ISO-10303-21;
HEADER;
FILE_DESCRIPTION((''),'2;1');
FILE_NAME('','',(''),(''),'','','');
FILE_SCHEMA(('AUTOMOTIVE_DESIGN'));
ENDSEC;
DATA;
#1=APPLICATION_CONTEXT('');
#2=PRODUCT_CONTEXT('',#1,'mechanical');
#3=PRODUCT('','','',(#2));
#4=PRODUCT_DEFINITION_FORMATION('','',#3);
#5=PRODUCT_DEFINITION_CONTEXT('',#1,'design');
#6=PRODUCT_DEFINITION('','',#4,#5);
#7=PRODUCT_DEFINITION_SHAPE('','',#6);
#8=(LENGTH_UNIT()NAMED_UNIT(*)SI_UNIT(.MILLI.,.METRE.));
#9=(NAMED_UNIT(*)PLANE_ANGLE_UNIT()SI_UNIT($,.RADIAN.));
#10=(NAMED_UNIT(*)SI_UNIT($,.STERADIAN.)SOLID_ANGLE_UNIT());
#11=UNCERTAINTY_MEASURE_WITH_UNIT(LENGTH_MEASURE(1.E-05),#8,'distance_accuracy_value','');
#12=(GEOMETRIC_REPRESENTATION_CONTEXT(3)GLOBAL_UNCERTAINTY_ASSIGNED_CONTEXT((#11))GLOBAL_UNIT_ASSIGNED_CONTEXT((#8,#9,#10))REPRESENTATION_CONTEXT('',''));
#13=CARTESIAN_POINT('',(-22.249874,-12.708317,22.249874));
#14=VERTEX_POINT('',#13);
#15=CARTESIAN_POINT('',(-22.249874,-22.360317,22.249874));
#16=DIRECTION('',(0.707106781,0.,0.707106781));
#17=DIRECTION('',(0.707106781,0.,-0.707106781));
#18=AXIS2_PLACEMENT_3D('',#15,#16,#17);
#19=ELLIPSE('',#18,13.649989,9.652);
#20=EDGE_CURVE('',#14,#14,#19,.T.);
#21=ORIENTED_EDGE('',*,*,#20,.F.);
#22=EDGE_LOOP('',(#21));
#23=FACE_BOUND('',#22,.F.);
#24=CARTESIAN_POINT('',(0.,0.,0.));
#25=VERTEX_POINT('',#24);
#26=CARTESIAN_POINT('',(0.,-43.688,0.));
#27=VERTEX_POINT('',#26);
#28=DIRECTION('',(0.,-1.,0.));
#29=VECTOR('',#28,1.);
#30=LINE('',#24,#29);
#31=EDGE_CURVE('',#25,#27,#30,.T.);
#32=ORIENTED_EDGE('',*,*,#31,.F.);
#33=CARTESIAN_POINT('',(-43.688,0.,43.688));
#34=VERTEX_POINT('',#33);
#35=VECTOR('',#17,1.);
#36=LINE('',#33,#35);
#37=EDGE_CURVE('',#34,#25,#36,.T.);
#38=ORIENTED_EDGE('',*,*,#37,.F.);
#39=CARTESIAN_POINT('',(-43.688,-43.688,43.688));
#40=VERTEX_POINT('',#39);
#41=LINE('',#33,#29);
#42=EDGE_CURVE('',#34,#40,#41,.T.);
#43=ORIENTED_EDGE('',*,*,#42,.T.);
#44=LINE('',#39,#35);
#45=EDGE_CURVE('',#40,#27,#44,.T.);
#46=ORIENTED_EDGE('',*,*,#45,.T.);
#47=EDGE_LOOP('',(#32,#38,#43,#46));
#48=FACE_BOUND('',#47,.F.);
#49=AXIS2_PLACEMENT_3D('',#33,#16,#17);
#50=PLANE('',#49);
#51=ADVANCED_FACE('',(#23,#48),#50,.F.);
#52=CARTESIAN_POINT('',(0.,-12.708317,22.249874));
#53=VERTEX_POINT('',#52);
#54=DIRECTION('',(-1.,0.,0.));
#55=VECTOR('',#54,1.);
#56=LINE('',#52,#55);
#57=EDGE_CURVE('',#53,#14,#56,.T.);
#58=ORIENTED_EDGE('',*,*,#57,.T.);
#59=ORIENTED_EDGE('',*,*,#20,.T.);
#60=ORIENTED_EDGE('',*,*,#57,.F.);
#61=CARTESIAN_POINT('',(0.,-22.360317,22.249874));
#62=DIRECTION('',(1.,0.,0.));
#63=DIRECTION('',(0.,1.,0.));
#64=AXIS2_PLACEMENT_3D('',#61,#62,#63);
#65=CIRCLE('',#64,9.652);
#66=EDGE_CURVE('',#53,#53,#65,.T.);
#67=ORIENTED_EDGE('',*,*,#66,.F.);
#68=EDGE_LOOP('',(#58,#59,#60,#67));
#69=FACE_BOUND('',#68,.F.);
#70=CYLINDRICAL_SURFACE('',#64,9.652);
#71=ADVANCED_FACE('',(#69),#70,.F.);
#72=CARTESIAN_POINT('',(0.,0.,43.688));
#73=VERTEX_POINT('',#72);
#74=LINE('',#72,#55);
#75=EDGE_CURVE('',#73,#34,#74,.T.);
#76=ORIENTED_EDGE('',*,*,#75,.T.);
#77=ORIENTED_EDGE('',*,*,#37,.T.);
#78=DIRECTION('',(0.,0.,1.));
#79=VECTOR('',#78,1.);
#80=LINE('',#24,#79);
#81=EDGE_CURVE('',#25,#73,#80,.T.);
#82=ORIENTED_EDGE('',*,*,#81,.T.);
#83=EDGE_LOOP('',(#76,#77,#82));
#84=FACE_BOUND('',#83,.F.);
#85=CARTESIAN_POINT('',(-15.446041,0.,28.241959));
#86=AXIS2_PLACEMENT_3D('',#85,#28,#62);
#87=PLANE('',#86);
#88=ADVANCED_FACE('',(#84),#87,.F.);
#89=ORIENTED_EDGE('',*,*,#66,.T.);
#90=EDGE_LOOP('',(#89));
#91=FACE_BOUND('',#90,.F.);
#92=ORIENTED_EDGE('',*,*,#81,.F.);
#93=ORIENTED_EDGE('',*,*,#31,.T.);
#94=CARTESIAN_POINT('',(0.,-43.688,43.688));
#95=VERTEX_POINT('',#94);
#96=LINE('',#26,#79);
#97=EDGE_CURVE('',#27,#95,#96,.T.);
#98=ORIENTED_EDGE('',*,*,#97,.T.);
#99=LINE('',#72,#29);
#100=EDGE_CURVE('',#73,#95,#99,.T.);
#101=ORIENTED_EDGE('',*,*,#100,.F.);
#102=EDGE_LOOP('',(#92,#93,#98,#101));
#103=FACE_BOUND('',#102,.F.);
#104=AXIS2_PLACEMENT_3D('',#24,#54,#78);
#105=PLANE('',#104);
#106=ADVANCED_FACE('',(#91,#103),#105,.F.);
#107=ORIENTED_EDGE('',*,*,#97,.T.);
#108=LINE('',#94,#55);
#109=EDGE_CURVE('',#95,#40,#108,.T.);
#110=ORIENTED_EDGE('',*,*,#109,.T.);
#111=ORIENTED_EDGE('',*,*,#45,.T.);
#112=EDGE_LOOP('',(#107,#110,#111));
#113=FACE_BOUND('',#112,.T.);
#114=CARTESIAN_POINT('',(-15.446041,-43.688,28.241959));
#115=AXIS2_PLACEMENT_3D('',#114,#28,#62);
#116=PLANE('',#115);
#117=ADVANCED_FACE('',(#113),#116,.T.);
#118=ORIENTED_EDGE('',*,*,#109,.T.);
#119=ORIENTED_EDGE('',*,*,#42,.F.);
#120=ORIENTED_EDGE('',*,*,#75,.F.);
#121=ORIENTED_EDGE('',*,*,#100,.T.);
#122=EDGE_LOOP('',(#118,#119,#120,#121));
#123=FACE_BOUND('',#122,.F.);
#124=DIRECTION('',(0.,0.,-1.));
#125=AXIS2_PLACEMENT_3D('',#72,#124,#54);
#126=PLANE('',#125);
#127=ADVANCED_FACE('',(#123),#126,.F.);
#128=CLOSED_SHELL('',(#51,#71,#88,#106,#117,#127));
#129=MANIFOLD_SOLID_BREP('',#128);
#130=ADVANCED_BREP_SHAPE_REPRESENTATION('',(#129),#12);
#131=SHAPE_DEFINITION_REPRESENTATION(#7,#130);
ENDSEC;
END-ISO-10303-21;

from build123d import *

# Parameters (mm, degrees)
F1_DEPTH = 43.688
F2_R     = 9.652
F3_DEPTH = 43.689


with BuildPart() as f1:
    # F0 (on Front) → F1 (new body)
    with BuildSketch(Plane.XZ):
        Polygon((0, 0), (0, 43.688), (-43.688, 43.688), align=None)
    extrude(amount=F1_DEPTH)

    # F2 (on Right) → F3 (cut, through all)
    with BuildSketch(Plane.YZ):
        with Locations((-22.360317, 22.249874)):
            Circle(F2_R)
    extrude(amount=-F3_DEPTH, mode=Mode.SUBTRACT)


solid = f1.part
